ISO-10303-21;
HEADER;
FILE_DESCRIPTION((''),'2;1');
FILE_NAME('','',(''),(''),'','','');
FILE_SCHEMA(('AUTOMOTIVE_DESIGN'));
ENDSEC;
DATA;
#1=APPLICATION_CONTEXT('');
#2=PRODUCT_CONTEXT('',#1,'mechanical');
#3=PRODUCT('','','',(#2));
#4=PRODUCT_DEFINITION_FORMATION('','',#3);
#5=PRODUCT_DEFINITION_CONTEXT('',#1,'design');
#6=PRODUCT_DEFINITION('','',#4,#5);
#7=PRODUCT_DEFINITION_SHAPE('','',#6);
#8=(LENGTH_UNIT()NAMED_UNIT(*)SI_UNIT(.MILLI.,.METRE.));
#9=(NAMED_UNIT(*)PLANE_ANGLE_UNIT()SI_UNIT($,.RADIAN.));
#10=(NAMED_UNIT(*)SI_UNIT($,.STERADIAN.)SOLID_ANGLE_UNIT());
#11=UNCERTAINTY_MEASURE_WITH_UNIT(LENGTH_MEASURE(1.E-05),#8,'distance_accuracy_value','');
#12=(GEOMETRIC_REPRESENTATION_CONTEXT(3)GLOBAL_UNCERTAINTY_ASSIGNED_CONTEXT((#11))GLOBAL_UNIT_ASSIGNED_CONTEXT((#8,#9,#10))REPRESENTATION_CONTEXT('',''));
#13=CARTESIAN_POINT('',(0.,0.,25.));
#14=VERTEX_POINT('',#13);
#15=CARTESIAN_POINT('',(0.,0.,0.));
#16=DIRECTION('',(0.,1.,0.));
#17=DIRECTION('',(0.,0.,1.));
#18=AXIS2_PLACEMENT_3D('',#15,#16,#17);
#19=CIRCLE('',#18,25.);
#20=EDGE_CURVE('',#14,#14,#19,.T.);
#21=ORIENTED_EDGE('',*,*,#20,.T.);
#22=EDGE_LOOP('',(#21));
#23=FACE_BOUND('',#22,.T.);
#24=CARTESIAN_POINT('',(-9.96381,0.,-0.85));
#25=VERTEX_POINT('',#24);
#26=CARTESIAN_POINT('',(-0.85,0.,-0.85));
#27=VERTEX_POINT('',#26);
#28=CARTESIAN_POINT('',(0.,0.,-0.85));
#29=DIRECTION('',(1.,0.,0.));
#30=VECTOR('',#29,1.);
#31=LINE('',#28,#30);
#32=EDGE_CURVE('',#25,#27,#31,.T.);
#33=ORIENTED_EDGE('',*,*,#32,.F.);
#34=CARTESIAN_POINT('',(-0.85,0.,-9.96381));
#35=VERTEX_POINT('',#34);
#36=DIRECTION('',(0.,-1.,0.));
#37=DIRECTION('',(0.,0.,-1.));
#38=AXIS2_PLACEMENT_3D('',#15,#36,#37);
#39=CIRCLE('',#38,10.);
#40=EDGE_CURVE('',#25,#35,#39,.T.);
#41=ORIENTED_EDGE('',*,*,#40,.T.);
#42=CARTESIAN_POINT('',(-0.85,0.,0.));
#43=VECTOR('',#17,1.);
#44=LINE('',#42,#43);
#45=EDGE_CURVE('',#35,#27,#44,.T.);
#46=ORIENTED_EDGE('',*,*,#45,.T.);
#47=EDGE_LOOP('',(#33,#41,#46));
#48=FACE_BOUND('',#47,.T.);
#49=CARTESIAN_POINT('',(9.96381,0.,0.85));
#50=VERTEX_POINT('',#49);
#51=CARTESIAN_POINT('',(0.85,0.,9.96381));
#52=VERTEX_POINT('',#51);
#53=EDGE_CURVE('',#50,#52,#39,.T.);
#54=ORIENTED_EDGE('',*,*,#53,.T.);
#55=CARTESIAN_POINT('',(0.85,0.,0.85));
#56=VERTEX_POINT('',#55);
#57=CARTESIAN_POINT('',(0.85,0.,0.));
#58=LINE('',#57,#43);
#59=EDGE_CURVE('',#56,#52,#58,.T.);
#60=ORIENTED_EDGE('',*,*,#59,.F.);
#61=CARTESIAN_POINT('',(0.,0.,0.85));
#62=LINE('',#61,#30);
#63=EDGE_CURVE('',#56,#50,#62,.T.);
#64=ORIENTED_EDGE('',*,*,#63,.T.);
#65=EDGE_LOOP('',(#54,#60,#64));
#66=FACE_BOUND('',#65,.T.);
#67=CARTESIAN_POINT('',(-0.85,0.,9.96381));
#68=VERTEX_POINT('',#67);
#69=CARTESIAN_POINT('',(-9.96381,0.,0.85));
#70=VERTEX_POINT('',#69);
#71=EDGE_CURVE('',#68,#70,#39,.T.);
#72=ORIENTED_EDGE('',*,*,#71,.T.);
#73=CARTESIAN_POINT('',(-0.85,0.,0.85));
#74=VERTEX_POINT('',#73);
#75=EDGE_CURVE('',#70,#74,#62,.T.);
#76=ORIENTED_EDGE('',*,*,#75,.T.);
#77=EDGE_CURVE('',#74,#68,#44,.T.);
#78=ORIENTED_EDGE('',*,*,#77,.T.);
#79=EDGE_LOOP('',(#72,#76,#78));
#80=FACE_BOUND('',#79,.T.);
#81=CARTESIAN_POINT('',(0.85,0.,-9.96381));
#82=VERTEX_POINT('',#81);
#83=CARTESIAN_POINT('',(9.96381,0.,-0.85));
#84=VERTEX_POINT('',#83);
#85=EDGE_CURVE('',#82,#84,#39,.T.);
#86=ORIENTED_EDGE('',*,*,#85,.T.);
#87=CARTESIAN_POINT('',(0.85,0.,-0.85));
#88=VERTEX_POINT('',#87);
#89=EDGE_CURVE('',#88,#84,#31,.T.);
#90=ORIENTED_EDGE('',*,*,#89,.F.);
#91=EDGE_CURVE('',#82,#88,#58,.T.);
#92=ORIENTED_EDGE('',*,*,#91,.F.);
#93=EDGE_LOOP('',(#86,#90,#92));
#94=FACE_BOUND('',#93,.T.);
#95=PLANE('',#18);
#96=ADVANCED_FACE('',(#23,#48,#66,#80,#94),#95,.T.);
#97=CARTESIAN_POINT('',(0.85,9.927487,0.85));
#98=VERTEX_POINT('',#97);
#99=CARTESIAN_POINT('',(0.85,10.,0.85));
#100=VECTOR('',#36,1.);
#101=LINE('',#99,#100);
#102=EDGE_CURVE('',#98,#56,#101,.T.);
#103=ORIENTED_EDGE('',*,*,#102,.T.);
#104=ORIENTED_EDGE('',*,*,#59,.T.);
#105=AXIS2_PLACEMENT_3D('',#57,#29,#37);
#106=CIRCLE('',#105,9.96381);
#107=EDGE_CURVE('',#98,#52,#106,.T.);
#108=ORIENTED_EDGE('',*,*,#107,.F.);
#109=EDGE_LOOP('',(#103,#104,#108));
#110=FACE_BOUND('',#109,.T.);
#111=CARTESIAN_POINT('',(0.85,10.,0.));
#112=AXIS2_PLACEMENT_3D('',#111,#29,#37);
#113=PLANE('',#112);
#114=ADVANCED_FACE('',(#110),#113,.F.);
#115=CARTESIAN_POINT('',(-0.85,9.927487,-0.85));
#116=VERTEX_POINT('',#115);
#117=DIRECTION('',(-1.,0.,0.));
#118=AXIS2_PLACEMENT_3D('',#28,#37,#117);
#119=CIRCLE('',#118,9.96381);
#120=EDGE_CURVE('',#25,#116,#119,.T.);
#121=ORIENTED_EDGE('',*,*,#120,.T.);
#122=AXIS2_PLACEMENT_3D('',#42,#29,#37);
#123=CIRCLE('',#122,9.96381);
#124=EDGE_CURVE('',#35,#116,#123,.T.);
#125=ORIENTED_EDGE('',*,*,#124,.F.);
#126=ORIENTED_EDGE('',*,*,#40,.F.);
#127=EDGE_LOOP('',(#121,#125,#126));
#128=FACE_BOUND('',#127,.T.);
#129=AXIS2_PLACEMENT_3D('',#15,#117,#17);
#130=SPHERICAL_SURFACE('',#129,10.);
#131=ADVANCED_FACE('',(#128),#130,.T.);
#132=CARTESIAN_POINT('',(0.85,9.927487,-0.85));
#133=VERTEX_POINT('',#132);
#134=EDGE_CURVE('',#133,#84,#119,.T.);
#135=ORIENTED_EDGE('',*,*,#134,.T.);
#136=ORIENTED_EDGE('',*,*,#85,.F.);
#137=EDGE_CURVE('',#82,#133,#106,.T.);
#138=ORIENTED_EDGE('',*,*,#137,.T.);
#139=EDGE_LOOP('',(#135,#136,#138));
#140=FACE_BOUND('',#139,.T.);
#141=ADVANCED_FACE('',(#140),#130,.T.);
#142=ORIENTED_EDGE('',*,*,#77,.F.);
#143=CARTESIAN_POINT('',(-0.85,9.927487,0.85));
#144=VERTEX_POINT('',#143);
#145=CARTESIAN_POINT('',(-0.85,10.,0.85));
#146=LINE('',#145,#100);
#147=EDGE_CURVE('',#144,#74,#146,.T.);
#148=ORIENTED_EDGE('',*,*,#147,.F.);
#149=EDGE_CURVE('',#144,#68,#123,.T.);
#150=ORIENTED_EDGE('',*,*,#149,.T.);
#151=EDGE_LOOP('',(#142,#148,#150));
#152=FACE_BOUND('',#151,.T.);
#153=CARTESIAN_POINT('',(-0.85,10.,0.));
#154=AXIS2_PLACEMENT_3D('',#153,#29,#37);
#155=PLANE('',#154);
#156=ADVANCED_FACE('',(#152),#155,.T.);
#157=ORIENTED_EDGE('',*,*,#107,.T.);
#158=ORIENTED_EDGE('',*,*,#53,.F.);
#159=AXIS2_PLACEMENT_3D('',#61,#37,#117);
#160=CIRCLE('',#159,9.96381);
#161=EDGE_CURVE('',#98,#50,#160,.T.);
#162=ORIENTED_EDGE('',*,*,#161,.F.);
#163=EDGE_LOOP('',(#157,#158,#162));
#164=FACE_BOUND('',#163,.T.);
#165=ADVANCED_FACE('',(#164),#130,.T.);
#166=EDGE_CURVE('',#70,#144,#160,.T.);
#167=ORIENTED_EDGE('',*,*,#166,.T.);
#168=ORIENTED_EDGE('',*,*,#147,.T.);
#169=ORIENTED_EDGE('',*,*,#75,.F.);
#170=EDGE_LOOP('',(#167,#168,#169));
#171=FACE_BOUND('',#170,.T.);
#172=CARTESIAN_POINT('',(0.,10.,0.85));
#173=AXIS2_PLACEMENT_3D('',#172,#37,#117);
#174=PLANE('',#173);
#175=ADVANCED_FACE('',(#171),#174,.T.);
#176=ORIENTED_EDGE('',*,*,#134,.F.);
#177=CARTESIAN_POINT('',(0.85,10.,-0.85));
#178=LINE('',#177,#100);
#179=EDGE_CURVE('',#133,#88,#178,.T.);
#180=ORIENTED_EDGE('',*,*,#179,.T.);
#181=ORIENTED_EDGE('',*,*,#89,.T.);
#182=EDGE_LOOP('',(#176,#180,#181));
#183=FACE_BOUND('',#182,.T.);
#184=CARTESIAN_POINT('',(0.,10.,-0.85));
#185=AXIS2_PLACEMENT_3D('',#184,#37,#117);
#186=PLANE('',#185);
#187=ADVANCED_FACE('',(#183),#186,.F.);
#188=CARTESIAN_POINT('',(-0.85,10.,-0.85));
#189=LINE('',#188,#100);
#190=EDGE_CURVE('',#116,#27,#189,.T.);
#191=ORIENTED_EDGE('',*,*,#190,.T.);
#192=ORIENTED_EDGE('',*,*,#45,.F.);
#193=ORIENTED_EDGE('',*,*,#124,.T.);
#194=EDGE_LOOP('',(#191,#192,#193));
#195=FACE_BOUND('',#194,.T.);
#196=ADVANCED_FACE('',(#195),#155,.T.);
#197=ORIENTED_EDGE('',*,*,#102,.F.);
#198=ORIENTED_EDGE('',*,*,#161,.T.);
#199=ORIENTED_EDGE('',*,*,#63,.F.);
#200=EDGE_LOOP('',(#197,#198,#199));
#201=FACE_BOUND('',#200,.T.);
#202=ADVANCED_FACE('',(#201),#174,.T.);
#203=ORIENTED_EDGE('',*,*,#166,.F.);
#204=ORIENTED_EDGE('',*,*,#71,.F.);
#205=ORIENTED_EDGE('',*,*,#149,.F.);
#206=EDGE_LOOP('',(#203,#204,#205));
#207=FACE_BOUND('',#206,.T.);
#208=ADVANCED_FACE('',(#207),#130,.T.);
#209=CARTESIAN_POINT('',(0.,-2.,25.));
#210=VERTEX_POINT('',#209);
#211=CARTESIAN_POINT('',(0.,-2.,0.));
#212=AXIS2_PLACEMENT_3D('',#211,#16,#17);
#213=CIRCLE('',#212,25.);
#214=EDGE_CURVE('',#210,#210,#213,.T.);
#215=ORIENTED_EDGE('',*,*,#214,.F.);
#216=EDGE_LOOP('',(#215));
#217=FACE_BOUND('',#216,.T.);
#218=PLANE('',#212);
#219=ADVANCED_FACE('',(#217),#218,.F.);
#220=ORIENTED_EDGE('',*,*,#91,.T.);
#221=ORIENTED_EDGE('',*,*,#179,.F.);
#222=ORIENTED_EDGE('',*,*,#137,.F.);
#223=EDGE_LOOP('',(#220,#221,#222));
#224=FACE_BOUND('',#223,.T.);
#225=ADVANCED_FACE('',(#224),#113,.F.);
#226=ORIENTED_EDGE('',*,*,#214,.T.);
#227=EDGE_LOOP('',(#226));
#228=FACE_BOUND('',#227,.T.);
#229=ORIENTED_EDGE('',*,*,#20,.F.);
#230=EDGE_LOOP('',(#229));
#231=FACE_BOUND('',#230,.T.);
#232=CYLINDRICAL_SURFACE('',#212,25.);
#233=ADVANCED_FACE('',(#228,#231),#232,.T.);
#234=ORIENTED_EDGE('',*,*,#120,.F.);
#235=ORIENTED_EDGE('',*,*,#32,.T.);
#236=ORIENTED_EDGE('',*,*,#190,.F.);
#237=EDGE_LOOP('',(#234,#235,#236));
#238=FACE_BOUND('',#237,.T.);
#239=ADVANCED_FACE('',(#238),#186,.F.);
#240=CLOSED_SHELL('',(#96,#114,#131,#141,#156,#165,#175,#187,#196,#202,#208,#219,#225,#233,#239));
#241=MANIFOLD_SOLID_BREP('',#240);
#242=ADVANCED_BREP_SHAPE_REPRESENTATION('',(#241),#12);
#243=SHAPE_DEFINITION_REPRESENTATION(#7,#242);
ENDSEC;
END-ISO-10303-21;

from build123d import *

# Parameters (mm, degrees)
SKETCH1_R           = 25
BOSS_EXTRUDE1_DEPTH = 2
REVOLVE3_ANGLE      = 180
SKETCH7_W           = 1.7
SKETCH7_H           = 1.7
SKETCH7_W_2         = 9.15
SKETCH7_H_2         = 9.15
CUT_EXTRUDE1_DEPTH  = 10


with BuildPart() as part:
    # Sketch1 → Boss-Extrude1 (new body)
    with BuildSketch(Plane(origin=(0, 0, 0), x_dir=(1, 0, 0), z_dir=(0, 1, 0))):
        Circle(SKETCH1_R)
    extrude(amount=-BOSS_EXTRUDE1_DEPTH)

    # Sketch6 → Revolve3 (revolve)
    with BuildSketch(Plane(origin=(0, 0, 0), x_dir=(1, 0, 0), z_dir=(0, 1, 0))):
        with BuildLine():
            Line((-10, 0), (10, 0))
            ThreePointArc((10, 0), (0, 10), (-10, 0))
        make_face()
    revolve(axis=Axis((-10, 0, 0), (1, 0, 0)), revolution_arc=REVOLVE3_ANGLE)

    # Sketch7 → Cut-Extrude1 (cut)
    with BuildSketch(Plane(origin=(0, 0, 0), x_dir=(1, 0, 0), z_dir=(0, 1, 0))):
        Rectangle(SKETCH7_W, SKETCH7_H)
        with Locations((-5.425, 0)):
            Rectangle(SKETCH7_W_2, SKETCH7_H)
        with Locations((0, 5.425)):
            Rectangle(SKETCH7_W, SKETCH7_H_2)
        with Locations((5.425, 0)):
            Rectangle(SKETCH7_W_2, SKETCH7_H)
        with Locations((0, -5.425)):
            Rectangle(SKETCH7_W, SKETCH7_H_2)
    extrude(amount=CUT_EXTRUDE1_DEPTH, mode=Mode.SUBTRACT)


solid = part.part
